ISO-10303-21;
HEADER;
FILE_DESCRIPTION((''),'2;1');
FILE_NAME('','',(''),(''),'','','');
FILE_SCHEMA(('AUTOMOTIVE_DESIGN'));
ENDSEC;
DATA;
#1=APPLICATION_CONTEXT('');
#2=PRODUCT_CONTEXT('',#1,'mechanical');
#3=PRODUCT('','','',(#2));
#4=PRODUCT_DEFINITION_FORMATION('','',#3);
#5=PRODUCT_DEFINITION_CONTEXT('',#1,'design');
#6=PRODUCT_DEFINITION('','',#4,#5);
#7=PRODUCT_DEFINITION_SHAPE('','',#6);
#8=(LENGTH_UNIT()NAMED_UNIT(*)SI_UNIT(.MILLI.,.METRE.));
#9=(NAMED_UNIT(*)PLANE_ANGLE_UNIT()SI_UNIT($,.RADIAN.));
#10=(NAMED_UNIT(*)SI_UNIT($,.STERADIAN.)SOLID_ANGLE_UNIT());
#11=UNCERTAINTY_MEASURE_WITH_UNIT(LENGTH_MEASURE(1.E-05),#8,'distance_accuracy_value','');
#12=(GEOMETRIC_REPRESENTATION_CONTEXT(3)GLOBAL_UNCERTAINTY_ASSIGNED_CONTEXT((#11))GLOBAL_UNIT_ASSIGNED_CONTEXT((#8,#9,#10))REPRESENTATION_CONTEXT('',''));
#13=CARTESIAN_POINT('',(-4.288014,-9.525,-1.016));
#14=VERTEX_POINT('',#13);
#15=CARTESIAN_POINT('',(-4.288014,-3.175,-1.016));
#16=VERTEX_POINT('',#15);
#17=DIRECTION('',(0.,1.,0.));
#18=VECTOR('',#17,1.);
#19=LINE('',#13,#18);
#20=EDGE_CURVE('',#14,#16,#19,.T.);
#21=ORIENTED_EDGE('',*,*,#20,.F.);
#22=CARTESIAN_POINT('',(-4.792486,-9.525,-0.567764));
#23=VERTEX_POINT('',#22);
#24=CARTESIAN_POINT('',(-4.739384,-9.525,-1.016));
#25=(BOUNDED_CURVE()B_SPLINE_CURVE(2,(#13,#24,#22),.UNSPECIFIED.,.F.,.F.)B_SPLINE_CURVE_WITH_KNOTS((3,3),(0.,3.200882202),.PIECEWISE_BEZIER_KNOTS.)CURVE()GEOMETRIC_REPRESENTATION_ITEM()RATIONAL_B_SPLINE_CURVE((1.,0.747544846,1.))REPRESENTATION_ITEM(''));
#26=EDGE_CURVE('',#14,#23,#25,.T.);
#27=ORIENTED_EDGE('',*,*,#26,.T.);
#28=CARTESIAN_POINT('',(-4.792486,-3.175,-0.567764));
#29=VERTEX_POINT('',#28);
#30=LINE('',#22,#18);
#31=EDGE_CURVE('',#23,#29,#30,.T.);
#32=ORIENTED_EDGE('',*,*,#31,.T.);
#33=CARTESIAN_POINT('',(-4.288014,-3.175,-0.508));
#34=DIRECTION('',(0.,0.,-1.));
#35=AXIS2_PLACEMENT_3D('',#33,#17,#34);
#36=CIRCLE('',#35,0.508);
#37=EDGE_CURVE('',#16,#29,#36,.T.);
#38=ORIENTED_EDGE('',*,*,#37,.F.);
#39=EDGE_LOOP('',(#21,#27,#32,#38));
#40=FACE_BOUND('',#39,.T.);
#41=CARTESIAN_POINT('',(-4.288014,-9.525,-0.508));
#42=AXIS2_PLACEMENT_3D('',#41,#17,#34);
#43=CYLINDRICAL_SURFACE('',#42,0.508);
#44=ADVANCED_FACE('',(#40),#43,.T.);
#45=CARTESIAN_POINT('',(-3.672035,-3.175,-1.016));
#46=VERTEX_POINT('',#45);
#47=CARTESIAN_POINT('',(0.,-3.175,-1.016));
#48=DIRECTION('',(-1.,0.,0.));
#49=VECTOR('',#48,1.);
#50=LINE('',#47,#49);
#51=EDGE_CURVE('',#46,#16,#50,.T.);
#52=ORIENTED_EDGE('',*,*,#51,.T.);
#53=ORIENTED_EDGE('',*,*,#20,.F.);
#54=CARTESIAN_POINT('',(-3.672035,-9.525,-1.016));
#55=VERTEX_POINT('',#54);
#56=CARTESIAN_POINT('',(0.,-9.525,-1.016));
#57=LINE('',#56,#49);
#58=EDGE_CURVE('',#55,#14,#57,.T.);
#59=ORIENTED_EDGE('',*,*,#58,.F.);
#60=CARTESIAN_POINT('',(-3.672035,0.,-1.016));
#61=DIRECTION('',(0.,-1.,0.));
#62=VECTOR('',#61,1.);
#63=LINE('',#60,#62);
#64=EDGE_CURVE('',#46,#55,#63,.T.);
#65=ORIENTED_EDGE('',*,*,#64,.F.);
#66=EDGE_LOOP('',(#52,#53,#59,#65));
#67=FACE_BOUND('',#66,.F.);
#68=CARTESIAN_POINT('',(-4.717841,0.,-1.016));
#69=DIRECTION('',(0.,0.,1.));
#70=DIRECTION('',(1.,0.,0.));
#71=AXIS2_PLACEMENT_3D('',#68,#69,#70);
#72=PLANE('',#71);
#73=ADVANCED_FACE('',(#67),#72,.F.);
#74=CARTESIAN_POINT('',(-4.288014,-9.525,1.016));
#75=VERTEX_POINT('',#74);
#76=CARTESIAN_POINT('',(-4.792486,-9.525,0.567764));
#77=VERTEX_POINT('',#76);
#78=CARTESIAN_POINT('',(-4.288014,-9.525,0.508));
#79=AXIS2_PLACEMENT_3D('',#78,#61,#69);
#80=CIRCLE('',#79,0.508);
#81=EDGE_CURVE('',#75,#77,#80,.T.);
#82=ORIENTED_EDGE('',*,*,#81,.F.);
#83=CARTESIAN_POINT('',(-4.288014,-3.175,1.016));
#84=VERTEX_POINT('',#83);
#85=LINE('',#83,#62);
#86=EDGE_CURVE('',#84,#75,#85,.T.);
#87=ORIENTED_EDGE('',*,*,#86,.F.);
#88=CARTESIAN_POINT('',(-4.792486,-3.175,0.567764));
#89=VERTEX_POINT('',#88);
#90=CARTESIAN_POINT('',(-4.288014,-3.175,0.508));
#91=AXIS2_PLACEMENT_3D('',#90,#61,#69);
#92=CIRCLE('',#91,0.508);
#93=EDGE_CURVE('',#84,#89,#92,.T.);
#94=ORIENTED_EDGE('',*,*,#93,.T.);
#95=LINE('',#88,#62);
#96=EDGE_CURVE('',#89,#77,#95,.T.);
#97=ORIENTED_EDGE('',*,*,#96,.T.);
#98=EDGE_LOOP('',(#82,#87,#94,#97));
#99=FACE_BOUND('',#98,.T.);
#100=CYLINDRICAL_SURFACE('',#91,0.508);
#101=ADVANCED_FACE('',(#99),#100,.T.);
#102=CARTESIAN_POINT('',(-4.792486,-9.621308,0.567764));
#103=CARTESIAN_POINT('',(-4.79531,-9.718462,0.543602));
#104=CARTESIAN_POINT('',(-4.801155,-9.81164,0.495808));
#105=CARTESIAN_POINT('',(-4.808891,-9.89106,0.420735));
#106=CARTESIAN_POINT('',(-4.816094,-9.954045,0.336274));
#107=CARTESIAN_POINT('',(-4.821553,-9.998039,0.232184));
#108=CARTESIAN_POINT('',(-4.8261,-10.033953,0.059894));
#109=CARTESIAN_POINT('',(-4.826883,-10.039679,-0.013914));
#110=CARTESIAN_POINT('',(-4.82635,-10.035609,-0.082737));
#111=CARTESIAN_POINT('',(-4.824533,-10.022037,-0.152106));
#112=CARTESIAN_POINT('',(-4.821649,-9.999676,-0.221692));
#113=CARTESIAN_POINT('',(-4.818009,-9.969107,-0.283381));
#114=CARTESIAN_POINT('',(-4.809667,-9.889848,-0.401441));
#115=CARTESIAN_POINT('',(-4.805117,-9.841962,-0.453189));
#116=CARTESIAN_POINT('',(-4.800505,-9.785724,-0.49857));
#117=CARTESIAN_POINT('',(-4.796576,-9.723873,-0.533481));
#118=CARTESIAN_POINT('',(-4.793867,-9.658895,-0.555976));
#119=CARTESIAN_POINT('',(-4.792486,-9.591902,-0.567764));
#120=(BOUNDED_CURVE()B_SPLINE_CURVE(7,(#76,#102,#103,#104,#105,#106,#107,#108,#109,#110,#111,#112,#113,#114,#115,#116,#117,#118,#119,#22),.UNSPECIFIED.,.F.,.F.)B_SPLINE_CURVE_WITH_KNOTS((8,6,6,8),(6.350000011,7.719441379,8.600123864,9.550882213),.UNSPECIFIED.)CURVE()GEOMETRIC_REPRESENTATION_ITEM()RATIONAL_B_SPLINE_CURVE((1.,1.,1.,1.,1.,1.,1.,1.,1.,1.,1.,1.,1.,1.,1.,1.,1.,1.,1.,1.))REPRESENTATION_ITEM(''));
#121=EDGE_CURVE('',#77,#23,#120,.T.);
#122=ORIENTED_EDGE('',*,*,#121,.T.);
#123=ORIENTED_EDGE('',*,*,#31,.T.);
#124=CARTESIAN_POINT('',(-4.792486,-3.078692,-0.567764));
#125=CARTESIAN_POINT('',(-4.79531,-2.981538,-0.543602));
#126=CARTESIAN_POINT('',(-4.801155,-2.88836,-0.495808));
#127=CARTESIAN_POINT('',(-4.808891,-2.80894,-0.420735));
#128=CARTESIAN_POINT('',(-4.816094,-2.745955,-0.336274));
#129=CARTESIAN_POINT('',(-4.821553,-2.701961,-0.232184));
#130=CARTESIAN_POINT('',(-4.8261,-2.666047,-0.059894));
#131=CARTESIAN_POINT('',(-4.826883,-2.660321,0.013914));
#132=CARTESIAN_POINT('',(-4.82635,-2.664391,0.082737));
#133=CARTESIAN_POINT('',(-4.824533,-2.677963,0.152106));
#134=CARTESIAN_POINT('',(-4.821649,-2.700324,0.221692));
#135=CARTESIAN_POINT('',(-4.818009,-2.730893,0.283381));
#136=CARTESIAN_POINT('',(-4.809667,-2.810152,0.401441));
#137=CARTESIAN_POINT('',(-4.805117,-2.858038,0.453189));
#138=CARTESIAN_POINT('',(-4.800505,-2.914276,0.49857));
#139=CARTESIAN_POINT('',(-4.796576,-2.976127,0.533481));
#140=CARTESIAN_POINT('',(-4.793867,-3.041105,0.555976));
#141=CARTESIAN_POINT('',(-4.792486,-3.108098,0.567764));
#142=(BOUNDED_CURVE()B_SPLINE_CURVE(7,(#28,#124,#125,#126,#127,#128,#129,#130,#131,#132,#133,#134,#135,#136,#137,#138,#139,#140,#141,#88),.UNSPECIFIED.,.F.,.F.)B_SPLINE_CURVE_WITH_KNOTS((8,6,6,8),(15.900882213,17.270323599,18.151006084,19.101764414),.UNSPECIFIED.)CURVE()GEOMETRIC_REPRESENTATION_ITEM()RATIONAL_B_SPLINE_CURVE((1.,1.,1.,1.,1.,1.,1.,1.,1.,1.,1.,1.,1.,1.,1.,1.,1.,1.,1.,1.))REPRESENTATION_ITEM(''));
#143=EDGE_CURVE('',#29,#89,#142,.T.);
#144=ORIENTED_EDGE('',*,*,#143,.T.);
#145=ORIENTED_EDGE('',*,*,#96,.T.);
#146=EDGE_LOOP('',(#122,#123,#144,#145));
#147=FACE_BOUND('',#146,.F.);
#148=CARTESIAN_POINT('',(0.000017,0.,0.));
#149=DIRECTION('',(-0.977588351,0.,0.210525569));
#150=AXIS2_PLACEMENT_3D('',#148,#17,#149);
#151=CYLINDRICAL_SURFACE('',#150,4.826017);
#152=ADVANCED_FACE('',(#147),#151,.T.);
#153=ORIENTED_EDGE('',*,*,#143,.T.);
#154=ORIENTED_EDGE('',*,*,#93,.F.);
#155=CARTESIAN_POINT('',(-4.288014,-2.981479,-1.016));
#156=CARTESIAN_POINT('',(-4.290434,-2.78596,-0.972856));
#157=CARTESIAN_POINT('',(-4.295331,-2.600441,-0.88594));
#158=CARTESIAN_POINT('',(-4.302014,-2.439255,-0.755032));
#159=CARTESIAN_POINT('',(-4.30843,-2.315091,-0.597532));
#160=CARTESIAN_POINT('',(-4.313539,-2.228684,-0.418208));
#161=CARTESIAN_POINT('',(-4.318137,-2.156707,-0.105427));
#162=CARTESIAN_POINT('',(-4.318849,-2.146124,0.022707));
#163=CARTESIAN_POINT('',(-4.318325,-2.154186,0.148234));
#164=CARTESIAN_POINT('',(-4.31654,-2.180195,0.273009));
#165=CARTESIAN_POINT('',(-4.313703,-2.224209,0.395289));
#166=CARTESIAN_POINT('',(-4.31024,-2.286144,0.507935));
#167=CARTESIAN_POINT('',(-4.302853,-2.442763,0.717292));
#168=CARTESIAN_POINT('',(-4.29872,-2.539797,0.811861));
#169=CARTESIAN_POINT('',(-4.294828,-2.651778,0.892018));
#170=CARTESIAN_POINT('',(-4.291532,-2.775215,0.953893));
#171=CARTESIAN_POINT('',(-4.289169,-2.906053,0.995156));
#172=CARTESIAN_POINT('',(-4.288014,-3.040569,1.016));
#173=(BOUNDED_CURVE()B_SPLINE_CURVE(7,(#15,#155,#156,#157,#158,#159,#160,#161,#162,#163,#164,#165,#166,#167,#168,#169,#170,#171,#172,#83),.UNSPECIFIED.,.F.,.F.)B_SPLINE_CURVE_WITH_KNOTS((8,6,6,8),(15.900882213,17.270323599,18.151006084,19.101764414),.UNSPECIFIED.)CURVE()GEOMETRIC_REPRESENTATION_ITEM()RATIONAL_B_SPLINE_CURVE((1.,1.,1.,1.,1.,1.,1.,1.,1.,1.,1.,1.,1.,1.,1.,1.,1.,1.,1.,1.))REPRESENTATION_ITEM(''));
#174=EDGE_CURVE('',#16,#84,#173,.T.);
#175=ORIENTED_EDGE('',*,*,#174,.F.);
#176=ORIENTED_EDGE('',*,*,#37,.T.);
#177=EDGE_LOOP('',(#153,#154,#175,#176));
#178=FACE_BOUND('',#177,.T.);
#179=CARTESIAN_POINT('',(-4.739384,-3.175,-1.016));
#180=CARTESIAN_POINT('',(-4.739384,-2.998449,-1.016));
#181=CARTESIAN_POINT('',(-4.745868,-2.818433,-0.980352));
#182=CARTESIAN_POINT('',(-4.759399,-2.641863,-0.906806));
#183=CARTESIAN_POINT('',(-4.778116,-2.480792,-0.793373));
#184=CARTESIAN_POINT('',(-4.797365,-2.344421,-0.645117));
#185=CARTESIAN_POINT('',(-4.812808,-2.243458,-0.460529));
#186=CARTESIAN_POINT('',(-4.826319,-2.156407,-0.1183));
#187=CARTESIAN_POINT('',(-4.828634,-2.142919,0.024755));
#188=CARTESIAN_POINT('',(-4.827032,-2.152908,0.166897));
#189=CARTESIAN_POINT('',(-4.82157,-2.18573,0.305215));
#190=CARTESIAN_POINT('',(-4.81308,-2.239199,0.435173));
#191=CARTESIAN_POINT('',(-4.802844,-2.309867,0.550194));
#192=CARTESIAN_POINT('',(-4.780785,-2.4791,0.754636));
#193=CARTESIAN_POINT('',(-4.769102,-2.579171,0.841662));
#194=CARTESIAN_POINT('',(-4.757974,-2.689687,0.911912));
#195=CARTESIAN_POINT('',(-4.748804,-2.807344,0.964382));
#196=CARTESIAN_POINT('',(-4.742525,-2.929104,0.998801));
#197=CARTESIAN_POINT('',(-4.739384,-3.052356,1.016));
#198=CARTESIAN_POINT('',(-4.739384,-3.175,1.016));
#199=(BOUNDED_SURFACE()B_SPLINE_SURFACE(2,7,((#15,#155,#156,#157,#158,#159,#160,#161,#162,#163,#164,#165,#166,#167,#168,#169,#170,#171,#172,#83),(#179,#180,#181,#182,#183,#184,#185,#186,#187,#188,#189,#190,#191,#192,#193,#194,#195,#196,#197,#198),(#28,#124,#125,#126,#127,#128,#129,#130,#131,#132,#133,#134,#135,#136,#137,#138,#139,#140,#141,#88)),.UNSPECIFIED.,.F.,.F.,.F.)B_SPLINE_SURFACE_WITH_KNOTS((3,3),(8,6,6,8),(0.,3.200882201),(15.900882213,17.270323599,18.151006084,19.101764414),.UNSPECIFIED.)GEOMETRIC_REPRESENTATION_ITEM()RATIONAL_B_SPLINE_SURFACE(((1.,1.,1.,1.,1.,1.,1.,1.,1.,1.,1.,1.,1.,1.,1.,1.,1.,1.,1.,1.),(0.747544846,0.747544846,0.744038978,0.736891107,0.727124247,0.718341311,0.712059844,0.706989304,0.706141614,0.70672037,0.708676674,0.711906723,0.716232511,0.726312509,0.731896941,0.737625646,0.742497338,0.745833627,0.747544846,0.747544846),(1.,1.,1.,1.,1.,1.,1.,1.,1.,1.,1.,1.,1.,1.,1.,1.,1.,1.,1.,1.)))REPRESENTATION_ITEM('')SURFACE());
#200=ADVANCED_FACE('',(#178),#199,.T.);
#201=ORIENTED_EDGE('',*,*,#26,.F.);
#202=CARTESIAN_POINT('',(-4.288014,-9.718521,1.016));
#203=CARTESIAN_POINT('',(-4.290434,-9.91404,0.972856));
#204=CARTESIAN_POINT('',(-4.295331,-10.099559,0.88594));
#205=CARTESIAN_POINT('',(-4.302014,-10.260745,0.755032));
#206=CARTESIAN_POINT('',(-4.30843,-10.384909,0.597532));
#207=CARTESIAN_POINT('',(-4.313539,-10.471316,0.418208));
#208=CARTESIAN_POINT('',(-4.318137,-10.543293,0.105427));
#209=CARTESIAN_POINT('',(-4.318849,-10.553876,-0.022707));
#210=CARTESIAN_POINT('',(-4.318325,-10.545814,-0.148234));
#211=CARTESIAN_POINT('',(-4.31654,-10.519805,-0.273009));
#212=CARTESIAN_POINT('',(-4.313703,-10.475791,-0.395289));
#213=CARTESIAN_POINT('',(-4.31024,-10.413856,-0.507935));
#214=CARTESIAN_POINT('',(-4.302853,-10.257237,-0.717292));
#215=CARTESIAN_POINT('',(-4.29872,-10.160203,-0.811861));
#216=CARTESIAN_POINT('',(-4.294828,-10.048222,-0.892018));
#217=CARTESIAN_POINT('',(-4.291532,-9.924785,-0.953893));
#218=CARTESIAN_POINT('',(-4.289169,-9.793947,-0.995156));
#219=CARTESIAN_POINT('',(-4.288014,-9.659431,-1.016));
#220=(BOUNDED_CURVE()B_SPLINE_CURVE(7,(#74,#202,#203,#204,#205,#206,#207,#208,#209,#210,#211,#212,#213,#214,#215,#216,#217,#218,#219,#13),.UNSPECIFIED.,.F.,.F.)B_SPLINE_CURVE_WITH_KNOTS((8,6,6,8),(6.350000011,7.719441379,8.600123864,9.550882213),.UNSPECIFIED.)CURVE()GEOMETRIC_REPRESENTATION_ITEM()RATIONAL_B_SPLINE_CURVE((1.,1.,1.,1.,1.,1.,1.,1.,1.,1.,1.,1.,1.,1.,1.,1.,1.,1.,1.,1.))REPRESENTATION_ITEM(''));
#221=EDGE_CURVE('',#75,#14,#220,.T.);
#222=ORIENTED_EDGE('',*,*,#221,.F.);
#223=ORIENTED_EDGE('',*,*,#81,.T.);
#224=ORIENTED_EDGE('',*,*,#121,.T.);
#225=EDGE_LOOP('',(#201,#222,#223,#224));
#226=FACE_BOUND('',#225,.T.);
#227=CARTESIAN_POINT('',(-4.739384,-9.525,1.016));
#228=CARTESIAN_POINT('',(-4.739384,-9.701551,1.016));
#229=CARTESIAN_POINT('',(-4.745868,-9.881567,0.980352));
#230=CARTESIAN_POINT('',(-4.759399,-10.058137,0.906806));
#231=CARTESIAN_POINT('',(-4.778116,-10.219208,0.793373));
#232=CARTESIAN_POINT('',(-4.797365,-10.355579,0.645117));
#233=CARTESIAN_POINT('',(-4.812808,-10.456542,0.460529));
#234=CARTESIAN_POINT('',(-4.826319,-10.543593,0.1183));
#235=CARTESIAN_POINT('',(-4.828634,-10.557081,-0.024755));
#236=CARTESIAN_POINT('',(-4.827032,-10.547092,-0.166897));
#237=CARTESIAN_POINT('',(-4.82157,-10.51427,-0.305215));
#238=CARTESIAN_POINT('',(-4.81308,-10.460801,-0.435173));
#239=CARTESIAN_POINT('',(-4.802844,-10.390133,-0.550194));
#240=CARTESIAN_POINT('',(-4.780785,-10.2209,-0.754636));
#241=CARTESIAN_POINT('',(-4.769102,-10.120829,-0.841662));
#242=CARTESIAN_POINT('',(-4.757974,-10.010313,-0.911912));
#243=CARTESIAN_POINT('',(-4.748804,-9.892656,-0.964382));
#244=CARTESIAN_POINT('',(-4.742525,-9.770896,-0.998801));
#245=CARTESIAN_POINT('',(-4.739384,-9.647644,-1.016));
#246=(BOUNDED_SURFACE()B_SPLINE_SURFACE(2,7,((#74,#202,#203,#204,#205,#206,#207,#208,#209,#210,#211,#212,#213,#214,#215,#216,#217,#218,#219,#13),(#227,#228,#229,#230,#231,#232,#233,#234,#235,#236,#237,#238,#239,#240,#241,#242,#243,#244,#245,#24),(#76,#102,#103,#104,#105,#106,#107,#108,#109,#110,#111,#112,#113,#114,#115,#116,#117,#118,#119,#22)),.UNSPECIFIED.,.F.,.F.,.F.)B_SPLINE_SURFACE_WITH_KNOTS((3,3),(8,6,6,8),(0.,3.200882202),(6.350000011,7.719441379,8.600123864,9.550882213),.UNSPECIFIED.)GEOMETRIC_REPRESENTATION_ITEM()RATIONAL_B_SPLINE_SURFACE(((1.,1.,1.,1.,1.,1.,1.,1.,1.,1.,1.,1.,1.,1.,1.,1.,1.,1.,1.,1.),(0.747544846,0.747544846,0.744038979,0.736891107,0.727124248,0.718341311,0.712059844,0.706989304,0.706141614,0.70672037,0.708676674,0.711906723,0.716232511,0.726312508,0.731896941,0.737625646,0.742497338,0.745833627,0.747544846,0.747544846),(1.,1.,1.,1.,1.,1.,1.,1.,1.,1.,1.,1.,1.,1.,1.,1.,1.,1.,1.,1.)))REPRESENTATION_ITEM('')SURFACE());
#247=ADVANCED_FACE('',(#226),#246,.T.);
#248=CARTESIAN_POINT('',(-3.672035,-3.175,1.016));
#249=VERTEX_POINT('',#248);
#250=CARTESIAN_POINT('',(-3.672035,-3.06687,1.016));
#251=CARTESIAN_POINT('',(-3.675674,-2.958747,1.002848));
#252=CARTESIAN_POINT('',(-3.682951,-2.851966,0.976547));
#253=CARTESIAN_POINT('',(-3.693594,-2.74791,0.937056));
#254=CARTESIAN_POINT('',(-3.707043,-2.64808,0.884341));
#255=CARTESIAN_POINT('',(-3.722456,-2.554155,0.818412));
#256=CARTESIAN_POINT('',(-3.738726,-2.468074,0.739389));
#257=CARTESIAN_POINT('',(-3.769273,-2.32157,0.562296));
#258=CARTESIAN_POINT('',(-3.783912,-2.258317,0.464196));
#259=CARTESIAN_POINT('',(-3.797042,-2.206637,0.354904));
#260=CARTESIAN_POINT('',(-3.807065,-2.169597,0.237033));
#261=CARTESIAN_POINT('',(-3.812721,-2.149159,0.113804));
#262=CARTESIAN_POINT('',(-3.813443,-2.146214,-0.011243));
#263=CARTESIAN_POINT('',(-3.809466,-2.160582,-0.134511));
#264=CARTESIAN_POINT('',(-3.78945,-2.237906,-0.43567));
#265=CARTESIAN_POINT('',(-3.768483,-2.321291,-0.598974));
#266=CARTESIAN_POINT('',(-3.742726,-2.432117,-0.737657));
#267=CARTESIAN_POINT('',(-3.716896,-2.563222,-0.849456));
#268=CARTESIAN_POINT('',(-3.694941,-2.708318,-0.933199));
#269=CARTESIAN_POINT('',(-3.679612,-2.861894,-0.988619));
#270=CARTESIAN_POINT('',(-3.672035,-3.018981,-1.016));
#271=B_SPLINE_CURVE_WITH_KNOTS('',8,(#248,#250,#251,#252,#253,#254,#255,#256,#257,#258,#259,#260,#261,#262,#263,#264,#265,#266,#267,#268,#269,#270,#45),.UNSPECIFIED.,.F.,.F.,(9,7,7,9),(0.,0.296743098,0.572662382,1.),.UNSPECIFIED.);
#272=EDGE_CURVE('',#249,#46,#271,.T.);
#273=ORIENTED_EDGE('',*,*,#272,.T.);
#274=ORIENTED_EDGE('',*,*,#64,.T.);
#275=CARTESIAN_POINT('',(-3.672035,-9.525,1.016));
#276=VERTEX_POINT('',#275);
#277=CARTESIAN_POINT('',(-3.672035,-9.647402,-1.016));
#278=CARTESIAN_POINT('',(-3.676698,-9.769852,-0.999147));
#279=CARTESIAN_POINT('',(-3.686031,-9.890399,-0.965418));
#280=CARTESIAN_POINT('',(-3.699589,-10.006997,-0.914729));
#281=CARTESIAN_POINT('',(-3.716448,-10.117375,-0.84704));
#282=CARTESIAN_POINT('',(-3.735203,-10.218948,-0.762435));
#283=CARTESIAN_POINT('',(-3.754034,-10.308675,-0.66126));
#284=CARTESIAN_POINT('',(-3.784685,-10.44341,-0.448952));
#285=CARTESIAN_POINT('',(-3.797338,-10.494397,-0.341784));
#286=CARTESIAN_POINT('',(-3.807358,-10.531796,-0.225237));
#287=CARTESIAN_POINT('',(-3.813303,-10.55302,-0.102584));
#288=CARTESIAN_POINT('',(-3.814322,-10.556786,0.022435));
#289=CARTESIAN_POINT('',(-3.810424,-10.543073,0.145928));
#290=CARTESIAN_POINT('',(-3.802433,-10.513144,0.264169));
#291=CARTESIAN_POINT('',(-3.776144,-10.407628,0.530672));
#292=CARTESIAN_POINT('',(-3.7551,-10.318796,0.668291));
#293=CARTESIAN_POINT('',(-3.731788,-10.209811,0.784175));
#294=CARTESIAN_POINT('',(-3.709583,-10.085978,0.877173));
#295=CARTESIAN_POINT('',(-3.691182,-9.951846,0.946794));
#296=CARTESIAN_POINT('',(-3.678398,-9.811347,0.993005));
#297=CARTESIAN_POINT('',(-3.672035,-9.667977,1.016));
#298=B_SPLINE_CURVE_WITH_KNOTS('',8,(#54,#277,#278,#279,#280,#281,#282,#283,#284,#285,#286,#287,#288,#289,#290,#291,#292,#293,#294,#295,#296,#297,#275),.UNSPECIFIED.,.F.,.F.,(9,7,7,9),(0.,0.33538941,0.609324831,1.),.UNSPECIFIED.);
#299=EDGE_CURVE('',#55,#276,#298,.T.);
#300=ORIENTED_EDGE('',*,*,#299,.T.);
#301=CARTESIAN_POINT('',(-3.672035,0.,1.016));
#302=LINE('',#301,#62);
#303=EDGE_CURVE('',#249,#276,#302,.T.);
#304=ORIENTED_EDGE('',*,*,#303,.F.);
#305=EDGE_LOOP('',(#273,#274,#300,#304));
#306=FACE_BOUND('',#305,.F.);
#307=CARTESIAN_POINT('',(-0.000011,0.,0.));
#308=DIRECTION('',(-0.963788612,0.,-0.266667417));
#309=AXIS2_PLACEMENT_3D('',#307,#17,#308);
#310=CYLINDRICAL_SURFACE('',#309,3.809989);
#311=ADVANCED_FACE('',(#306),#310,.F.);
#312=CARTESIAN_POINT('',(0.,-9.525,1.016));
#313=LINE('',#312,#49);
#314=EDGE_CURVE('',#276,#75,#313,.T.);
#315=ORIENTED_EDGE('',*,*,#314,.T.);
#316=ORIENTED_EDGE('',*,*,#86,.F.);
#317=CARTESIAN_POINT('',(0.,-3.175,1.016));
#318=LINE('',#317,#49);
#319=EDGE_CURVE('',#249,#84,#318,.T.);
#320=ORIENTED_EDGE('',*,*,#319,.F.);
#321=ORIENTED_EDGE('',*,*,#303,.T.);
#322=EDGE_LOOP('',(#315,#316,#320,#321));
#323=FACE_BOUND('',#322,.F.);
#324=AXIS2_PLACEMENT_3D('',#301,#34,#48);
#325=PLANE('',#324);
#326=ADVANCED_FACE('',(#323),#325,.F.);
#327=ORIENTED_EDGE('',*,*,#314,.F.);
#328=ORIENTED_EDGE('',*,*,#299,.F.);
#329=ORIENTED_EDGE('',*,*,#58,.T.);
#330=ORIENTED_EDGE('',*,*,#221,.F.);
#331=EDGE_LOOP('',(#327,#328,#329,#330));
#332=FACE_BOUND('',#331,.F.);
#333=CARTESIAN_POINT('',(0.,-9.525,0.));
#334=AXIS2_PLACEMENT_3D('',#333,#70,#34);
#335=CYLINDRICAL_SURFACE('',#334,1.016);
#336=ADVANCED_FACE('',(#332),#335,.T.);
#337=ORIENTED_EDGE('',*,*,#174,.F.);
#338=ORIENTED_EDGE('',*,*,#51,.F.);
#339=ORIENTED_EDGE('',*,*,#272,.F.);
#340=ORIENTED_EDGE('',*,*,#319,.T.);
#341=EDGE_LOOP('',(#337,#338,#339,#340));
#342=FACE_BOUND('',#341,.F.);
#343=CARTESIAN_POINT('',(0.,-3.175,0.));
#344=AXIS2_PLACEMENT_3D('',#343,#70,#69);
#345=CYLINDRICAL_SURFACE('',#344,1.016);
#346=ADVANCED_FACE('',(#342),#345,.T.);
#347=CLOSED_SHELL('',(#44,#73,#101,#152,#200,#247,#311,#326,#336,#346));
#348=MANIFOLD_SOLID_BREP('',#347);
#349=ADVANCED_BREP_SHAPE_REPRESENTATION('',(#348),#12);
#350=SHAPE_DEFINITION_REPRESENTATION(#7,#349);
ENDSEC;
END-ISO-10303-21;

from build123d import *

# Parameters (mm, degrees)
F1_DEPTH = 12.7
F3_DEPTH = 25.4
F4_R     = 0.508


with BuildPart() as f1:
    # F0 (on Front) → F1 (new body)
    with BuildSketch(Plane.XZ):
        with BuildLine():
            ThreePointArc((-3.672035, -1.016), (-3.81, 0), (-3.672035, 1.016))
            Line((-3.672035, 1.016), (-4.717841, 1.016))
            ThreePointArc((-4.717841, 1.016), (-4.826, 0), (-4.717841, -1.016))
            Line((-4.717841, -1.016), (-3.672035, -1.016))
        make_face()
    extrude(amount=F1_DEPTH)

    # F2 (on Right) → F3 (cut)
    with BuildSketch(Plane.YZ):
        with BuildLine():
            Line((-12.7, 1.016), (-12.7, 0))
            Line((-12.7, 0), (-12.7, -1.016))
            Line((-12.7, -1.016), (-9.525, -1.016))
            ThreePointArc((-9.525, -1.016), (-10.541, 0), (-9.525, 1.016))
            Line((-9.525, 1.016), (-12.7, 1.016))
        make_face()
        with BuildLine():
            ThreePointArc((-3.175, 1.016), (-2.159, 0), (-3.175, -1.016))
            Line((-3.175, -1.016), (0, -1.016))
            Line((0, -1.016), (0, 1.016))
            Line((0, 1.016), (-3.175, 1.016))
        make_face()
    extrude(amount=-F3_DEPTH, mode=Mode.SUBTRACT)

    # F4
    f4_edges = [f1.edges().sort_by_distance(p)[0] for p in [
        (-4.717841, -6.35, 1.016),
    ]]
    fillet(f4_edges, radius=F4_R)


solid = f1.part
